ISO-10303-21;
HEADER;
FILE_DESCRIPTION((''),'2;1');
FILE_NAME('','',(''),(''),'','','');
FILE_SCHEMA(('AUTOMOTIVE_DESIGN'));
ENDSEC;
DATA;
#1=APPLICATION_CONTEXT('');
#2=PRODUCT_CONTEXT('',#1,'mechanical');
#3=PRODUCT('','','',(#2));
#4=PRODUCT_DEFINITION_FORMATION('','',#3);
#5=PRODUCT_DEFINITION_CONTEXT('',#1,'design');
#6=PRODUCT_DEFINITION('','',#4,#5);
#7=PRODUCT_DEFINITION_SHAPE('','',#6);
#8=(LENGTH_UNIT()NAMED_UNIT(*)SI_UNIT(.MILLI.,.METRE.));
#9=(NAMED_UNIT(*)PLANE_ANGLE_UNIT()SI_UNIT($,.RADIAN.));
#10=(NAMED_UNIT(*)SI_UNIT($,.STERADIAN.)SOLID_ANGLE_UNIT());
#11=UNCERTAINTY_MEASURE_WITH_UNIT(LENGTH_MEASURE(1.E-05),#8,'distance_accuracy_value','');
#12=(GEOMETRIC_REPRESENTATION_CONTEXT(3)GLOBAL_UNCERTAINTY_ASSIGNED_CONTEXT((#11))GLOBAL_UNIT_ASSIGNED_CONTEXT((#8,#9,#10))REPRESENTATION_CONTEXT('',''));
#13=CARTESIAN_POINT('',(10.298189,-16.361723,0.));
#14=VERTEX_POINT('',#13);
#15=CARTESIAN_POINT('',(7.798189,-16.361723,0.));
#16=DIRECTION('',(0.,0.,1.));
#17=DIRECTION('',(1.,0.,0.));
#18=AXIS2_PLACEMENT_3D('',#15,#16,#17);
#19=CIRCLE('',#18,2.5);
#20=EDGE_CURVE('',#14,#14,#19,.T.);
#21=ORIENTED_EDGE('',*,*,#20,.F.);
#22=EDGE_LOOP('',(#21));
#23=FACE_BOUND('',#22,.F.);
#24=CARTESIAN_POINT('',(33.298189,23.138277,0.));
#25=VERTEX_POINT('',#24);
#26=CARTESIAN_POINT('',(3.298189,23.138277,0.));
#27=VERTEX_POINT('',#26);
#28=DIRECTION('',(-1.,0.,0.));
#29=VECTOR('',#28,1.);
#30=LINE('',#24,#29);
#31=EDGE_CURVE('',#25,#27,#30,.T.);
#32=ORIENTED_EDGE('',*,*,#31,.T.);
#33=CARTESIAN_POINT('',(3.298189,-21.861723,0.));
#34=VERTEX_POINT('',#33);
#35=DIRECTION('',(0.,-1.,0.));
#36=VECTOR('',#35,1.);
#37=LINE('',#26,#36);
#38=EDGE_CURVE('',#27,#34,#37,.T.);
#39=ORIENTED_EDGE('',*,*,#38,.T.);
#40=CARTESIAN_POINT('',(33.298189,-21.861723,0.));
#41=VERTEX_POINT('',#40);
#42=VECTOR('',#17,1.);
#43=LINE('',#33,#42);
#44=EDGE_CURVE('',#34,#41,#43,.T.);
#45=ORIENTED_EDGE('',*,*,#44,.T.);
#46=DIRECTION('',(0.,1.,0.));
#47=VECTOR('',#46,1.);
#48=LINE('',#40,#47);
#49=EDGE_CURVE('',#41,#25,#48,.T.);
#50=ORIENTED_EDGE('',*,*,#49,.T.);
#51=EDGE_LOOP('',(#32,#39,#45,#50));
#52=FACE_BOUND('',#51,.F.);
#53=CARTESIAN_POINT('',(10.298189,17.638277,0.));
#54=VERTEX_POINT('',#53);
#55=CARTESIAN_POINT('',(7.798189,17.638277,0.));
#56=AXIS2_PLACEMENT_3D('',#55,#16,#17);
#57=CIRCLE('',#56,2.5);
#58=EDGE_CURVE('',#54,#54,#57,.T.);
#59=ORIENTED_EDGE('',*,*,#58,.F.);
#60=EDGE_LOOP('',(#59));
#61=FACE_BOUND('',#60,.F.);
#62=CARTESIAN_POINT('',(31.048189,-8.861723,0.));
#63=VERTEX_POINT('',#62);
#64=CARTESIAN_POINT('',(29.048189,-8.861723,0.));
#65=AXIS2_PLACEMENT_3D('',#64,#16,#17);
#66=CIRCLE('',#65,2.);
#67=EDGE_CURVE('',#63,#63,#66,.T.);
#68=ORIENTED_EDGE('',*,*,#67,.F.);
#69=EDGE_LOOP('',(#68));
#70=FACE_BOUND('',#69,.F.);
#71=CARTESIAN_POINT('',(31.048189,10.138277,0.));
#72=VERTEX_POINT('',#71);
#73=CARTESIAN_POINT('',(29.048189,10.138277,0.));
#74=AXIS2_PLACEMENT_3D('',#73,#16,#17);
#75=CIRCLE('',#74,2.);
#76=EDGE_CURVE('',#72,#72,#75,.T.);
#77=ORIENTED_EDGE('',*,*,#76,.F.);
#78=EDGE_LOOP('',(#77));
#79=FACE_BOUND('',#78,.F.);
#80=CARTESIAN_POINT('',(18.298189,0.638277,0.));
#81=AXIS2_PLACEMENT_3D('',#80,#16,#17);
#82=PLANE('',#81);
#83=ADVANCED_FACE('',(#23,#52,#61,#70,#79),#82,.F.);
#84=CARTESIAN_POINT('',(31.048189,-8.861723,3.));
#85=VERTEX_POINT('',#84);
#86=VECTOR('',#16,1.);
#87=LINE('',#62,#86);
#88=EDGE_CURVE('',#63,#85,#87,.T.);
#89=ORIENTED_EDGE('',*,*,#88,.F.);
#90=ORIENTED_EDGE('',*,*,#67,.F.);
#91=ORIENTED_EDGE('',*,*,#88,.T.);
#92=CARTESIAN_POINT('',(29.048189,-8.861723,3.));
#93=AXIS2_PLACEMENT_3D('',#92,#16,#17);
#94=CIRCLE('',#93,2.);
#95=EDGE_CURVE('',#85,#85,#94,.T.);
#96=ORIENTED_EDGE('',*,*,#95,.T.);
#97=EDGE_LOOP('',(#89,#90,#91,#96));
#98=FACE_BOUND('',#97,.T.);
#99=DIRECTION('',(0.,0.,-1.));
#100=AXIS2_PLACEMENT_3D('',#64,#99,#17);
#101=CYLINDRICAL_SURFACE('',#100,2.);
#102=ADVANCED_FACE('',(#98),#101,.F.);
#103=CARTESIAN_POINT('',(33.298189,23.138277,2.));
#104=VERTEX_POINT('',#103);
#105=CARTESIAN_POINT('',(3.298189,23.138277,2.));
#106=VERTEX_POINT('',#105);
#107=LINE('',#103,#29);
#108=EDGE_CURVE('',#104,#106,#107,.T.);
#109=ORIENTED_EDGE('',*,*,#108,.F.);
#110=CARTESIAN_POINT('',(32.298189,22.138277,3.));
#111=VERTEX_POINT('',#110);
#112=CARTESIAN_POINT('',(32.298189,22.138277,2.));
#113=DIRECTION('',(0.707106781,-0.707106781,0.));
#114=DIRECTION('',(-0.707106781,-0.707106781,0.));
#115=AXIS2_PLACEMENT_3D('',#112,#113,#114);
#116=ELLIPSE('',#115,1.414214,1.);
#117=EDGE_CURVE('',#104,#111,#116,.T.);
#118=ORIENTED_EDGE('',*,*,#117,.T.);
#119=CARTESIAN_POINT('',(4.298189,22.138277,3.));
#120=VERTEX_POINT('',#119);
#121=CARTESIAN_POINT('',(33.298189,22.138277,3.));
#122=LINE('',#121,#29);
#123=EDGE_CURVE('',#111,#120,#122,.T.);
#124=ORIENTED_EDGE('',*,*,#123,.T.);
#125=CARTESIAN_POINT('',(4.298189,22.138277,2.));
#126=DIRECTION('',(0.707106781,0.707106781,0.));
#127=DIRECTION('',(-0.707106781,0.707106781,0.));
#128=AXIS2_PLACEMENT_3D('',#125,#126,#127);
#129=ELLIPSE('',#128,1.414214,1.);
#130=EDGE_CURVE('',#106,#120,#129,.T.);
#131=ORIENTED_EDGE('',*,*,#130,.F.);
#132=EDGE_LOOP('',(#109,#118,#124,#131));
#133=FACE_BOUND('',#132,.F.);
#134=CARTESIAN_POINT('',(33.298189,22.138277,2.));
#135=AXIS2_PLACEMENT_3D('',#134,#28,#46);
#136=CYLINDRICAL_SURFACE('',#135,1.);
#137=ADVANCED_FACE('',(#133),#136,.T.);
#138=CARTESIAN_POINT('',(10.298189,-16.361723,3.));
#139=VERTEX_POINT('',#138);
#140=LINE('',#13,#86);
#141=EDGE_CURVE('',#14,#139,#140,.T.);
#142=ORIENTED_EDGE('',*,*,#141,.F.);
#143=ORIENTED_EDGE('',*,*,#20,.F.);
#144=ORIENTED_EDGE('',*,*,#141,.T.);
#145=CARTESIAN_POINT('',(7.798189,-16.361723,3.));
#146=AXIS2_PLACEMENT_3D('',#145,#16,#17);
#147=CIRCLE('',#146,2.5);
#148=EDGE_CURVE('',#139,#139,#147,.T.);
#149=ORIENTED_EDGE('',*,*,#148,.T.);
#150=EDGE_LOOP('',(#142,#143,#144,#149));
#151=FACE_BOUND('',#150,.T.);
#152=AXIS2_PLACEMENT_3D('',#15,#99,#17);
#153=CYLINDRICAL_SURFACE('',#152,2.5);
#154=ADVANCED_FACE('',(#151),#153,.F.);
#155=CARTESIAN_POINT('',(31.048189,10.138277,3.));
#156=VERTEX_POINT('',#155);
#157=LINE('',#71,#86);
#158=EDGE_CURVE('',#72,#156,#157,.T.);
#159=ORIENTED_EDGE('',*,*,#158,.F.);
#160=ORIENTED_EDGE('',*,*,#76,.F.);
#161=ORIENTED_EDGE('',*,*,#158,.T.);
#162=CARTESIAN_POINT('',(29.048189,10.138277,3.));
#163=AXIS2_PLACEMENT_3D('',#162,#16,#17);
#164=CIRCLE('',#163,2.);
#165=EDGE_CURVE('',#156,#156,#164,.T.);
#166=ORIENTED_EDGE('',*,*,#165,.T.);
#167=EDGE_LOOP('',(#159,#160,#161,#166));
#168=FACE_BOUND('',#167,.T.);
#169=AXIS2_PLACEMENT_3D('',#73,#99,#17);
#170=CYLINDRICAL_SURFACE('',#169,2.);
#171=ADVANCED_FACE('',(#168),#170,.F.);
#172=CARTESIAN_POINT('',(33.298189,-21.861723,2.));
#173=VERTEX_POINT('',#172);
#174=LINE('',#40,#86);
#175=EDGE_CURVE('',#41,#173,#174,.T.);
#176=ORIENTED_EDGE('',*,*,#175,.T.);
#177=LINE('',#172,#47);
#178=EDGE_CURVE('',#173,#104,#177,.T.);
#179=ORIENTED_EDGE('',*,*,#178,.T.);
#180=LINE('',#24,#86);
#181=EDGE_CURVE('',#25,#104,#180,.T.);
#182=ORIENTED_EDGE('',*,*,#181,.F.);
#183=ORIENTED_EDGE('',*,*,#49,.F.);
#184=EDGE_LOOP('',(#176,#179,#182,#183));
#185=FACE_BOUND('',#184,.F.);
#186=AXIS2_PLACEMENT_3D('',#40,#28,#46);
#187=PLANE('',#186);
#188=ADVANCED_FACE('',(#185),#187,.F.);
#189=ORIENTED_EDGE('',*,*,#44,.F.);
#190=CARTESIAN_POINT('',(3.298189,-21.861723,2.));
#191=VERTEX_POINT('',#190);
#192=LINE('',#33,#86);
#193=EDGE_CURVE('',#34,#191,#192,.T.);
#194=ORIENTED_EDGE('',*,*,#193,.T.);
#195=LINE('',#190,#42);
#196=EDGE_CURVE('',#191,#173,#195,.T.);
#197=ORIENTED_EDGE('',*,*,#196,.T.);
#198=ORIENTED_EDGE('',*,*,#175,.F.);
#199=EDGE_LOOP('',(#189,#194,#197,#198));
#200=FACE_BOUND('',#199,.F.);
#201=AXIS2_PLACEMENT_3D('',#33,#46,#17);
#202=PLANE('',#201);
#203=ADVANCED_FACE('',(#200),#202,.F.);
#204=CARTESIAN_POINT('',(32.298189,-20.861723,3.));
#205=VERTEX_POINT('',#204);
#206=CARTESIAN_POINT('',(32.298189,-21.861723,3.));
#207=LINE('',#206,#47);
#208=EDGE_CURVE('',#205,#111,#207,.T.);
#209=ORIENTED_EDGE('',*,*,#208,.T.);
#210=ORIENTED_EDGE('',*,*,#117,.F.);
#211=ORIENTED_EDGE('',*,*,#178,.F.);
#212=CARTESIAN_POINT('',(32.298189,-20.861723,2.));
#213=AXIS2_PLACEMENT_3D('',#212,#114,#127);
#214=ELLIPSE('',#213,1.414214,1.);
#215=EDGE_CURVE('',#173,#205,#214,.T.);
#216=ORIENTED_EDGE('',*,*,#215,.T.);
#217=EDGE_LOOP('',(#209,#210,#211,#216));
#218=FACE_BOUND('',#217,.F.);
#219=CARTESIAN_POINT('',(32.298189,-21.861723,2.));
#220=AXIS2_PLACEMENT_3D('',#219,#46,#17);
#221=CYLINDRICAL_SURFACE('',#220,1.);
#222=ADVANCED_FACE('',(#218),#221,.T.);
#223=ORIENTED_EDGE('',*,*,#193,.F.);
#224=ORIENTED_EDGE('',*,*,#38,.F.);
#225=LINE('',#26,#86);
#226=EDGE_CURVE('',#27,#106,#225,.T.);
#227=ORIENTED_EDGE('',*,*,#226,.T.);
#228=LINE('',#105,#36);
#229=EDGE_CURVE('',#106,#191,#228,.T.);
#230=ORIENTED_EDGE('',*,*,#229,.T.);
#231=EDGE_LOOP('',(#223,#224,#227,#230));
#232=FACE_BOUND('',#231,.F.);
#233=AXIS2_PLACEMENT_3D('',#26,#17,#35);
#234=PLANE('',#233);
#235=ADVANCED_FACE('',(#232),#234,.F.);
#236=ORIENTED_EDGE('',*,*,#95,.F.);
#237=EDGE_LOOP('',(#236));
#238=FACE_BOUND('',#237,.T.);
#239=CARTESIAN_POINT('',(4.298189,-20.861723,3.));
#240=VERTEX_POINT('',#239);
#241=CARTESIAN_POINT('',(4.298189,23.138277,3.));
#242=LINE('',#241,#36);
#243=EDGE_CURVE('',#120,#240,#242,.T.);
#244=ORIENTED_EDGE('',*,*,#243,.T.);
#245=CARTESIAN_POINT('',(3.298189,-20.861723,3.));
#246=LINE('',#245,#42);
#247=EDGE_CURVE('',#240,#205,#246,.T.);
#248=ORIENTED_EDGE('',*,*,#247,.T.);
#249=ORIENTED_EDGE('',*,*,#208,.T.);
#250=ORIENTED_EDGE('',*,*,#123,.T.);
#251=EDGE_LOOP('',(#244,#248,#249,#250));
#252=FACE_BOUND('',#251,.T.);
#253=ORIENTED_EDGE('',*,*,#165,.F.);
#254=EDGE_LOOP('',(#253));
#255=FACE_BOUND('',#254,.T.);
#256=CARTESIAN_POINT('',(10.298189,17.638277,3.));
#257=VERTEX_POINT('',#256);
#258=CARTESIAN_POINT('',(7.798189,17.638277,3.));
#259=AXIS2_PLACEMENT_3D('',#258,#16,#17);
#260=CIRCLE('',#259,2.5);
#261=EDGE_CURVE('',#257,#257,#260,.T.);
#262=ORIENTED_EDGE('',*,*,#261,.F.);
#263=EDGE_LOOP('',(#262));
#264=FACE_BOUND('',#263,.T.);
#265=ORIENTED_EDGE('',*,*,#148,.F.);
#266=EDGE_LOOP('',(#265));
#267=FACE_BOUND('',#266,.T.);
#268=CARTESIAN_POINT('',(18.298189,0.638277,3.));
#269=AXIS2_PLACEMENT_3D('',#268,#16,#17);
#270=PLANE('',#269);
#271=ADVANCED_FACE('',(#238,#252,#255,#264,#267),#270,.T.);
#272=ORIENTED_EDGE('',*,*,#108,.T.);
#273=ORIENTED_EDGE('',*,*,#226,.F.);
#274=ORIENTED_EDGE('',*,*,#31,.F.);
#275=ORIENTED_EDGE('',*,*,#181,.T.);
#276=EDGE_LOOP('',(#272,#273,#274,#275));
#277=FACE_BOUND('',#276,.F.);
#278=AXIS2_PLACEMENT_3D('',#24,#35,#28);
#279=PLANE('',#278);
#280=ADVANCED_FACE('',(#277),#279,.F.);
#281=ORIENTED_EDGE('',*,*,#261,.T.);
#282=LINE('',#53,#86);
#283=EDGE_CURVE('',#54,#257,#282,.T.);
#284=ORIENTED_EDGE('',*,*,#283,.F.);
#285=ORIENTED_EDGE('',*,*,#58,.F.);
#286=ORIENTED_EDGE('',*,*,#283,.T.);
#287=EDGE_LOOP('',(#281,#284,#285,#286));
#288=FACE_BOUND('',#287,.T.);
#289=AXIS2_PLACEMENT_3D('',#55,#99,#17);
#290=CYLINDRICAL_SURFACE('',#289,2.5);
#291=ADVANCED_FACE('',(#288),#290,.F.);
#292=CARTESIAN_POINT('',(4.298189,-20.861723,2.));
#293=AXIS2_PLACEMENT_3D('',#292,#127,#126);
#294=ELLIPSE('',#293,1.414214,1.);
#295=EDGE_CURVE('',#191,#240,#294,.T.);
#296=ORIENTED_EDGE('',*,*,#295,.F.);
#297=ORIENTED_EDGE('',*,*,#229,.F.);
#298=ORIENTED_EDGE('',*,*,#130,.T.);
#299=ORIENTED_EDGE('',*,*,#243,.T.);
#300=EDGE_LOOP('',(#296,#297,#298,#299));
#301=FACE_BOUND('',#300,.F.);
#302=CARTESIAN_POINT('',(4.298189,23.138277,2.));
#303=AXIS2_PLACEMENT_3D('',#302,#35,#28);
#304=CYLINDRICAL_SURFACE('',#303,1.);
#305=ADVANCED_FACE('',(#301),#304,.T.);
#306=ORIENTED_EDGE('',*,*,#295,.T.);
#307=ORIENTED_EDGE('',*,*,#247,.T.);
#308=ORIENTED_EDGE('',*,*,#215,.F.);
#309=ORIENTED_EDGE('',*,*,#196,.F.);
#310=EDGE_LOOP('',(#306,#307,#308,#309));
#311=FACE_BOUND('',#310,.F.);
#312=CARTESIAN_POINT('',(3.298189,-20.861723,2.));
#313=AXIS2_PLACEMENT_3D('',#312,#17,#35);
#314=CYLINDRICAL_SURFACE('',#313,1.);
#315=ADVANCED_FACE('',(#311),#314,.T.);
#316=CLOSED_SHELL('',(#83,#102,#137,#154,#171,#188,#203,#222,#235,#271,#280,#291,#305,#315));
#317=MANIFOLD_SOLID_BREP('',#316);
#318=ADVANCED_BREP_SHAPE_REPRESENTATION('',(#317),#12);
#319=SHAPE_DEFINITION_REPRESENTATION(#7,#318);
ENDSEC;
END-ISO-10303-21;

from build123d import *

# Parameters (mm, degrees)
SKETCH_R   = 2
SKETCH_R_2 = 2.5
PAD_DEPTH  = 3
FILLET_R   = 1


with BuildPart() as part:
    # Sketch → Pad (new body)
    with BuildSketch(Plane.XY):
        Polygon((3.298189, -21.861723), (33.298189, -21.861723), (33.298189, -8.861723), (33.298189, 10.138277), (33.298189, 23.138277), (3.298189, 23.138277), (3.298189, 17.638277), (3.298189, -16.361723), align=None)
        with Locations((29.048189, 10.138277)):
            Circle(SKETCH_R, mode=Mode.SUBTRACT)
        with Locations((29.048189, -8.861723)):
            Circle(SKETCH_R, mode=Mode.SUBTRACT)
        with Locations((7.798189, -16.361723)):
            Circle(SKETCH_R_2, mode=Mode.SUBTRACT)
        with Locations((7.798189, 17.638277)):
            Circle(SKETCH_R_2, mode=Mode.SUBTRACT)
    extrude(amount=PAD_DEPTH)

    # Fillet
    fillet_edges = [part.edges().sort_by_distance(p)[0] for p in [
        (18.298189, 23.138277, 3),
        (33.298189, 0.638277, 3),
        (33.298189, 16.638277, 3),
        (33.298189, -15.361723, 3),
        (18.298189, -21.861723, 3),
        (3.298189, 0.638277, 3),
        (3.298189, 20.388277, 3),
        (3.298189, -19.111723, 3),
    ]]
    fillet(fillet_edges, radius=FILLET_R)


solid = part.part
